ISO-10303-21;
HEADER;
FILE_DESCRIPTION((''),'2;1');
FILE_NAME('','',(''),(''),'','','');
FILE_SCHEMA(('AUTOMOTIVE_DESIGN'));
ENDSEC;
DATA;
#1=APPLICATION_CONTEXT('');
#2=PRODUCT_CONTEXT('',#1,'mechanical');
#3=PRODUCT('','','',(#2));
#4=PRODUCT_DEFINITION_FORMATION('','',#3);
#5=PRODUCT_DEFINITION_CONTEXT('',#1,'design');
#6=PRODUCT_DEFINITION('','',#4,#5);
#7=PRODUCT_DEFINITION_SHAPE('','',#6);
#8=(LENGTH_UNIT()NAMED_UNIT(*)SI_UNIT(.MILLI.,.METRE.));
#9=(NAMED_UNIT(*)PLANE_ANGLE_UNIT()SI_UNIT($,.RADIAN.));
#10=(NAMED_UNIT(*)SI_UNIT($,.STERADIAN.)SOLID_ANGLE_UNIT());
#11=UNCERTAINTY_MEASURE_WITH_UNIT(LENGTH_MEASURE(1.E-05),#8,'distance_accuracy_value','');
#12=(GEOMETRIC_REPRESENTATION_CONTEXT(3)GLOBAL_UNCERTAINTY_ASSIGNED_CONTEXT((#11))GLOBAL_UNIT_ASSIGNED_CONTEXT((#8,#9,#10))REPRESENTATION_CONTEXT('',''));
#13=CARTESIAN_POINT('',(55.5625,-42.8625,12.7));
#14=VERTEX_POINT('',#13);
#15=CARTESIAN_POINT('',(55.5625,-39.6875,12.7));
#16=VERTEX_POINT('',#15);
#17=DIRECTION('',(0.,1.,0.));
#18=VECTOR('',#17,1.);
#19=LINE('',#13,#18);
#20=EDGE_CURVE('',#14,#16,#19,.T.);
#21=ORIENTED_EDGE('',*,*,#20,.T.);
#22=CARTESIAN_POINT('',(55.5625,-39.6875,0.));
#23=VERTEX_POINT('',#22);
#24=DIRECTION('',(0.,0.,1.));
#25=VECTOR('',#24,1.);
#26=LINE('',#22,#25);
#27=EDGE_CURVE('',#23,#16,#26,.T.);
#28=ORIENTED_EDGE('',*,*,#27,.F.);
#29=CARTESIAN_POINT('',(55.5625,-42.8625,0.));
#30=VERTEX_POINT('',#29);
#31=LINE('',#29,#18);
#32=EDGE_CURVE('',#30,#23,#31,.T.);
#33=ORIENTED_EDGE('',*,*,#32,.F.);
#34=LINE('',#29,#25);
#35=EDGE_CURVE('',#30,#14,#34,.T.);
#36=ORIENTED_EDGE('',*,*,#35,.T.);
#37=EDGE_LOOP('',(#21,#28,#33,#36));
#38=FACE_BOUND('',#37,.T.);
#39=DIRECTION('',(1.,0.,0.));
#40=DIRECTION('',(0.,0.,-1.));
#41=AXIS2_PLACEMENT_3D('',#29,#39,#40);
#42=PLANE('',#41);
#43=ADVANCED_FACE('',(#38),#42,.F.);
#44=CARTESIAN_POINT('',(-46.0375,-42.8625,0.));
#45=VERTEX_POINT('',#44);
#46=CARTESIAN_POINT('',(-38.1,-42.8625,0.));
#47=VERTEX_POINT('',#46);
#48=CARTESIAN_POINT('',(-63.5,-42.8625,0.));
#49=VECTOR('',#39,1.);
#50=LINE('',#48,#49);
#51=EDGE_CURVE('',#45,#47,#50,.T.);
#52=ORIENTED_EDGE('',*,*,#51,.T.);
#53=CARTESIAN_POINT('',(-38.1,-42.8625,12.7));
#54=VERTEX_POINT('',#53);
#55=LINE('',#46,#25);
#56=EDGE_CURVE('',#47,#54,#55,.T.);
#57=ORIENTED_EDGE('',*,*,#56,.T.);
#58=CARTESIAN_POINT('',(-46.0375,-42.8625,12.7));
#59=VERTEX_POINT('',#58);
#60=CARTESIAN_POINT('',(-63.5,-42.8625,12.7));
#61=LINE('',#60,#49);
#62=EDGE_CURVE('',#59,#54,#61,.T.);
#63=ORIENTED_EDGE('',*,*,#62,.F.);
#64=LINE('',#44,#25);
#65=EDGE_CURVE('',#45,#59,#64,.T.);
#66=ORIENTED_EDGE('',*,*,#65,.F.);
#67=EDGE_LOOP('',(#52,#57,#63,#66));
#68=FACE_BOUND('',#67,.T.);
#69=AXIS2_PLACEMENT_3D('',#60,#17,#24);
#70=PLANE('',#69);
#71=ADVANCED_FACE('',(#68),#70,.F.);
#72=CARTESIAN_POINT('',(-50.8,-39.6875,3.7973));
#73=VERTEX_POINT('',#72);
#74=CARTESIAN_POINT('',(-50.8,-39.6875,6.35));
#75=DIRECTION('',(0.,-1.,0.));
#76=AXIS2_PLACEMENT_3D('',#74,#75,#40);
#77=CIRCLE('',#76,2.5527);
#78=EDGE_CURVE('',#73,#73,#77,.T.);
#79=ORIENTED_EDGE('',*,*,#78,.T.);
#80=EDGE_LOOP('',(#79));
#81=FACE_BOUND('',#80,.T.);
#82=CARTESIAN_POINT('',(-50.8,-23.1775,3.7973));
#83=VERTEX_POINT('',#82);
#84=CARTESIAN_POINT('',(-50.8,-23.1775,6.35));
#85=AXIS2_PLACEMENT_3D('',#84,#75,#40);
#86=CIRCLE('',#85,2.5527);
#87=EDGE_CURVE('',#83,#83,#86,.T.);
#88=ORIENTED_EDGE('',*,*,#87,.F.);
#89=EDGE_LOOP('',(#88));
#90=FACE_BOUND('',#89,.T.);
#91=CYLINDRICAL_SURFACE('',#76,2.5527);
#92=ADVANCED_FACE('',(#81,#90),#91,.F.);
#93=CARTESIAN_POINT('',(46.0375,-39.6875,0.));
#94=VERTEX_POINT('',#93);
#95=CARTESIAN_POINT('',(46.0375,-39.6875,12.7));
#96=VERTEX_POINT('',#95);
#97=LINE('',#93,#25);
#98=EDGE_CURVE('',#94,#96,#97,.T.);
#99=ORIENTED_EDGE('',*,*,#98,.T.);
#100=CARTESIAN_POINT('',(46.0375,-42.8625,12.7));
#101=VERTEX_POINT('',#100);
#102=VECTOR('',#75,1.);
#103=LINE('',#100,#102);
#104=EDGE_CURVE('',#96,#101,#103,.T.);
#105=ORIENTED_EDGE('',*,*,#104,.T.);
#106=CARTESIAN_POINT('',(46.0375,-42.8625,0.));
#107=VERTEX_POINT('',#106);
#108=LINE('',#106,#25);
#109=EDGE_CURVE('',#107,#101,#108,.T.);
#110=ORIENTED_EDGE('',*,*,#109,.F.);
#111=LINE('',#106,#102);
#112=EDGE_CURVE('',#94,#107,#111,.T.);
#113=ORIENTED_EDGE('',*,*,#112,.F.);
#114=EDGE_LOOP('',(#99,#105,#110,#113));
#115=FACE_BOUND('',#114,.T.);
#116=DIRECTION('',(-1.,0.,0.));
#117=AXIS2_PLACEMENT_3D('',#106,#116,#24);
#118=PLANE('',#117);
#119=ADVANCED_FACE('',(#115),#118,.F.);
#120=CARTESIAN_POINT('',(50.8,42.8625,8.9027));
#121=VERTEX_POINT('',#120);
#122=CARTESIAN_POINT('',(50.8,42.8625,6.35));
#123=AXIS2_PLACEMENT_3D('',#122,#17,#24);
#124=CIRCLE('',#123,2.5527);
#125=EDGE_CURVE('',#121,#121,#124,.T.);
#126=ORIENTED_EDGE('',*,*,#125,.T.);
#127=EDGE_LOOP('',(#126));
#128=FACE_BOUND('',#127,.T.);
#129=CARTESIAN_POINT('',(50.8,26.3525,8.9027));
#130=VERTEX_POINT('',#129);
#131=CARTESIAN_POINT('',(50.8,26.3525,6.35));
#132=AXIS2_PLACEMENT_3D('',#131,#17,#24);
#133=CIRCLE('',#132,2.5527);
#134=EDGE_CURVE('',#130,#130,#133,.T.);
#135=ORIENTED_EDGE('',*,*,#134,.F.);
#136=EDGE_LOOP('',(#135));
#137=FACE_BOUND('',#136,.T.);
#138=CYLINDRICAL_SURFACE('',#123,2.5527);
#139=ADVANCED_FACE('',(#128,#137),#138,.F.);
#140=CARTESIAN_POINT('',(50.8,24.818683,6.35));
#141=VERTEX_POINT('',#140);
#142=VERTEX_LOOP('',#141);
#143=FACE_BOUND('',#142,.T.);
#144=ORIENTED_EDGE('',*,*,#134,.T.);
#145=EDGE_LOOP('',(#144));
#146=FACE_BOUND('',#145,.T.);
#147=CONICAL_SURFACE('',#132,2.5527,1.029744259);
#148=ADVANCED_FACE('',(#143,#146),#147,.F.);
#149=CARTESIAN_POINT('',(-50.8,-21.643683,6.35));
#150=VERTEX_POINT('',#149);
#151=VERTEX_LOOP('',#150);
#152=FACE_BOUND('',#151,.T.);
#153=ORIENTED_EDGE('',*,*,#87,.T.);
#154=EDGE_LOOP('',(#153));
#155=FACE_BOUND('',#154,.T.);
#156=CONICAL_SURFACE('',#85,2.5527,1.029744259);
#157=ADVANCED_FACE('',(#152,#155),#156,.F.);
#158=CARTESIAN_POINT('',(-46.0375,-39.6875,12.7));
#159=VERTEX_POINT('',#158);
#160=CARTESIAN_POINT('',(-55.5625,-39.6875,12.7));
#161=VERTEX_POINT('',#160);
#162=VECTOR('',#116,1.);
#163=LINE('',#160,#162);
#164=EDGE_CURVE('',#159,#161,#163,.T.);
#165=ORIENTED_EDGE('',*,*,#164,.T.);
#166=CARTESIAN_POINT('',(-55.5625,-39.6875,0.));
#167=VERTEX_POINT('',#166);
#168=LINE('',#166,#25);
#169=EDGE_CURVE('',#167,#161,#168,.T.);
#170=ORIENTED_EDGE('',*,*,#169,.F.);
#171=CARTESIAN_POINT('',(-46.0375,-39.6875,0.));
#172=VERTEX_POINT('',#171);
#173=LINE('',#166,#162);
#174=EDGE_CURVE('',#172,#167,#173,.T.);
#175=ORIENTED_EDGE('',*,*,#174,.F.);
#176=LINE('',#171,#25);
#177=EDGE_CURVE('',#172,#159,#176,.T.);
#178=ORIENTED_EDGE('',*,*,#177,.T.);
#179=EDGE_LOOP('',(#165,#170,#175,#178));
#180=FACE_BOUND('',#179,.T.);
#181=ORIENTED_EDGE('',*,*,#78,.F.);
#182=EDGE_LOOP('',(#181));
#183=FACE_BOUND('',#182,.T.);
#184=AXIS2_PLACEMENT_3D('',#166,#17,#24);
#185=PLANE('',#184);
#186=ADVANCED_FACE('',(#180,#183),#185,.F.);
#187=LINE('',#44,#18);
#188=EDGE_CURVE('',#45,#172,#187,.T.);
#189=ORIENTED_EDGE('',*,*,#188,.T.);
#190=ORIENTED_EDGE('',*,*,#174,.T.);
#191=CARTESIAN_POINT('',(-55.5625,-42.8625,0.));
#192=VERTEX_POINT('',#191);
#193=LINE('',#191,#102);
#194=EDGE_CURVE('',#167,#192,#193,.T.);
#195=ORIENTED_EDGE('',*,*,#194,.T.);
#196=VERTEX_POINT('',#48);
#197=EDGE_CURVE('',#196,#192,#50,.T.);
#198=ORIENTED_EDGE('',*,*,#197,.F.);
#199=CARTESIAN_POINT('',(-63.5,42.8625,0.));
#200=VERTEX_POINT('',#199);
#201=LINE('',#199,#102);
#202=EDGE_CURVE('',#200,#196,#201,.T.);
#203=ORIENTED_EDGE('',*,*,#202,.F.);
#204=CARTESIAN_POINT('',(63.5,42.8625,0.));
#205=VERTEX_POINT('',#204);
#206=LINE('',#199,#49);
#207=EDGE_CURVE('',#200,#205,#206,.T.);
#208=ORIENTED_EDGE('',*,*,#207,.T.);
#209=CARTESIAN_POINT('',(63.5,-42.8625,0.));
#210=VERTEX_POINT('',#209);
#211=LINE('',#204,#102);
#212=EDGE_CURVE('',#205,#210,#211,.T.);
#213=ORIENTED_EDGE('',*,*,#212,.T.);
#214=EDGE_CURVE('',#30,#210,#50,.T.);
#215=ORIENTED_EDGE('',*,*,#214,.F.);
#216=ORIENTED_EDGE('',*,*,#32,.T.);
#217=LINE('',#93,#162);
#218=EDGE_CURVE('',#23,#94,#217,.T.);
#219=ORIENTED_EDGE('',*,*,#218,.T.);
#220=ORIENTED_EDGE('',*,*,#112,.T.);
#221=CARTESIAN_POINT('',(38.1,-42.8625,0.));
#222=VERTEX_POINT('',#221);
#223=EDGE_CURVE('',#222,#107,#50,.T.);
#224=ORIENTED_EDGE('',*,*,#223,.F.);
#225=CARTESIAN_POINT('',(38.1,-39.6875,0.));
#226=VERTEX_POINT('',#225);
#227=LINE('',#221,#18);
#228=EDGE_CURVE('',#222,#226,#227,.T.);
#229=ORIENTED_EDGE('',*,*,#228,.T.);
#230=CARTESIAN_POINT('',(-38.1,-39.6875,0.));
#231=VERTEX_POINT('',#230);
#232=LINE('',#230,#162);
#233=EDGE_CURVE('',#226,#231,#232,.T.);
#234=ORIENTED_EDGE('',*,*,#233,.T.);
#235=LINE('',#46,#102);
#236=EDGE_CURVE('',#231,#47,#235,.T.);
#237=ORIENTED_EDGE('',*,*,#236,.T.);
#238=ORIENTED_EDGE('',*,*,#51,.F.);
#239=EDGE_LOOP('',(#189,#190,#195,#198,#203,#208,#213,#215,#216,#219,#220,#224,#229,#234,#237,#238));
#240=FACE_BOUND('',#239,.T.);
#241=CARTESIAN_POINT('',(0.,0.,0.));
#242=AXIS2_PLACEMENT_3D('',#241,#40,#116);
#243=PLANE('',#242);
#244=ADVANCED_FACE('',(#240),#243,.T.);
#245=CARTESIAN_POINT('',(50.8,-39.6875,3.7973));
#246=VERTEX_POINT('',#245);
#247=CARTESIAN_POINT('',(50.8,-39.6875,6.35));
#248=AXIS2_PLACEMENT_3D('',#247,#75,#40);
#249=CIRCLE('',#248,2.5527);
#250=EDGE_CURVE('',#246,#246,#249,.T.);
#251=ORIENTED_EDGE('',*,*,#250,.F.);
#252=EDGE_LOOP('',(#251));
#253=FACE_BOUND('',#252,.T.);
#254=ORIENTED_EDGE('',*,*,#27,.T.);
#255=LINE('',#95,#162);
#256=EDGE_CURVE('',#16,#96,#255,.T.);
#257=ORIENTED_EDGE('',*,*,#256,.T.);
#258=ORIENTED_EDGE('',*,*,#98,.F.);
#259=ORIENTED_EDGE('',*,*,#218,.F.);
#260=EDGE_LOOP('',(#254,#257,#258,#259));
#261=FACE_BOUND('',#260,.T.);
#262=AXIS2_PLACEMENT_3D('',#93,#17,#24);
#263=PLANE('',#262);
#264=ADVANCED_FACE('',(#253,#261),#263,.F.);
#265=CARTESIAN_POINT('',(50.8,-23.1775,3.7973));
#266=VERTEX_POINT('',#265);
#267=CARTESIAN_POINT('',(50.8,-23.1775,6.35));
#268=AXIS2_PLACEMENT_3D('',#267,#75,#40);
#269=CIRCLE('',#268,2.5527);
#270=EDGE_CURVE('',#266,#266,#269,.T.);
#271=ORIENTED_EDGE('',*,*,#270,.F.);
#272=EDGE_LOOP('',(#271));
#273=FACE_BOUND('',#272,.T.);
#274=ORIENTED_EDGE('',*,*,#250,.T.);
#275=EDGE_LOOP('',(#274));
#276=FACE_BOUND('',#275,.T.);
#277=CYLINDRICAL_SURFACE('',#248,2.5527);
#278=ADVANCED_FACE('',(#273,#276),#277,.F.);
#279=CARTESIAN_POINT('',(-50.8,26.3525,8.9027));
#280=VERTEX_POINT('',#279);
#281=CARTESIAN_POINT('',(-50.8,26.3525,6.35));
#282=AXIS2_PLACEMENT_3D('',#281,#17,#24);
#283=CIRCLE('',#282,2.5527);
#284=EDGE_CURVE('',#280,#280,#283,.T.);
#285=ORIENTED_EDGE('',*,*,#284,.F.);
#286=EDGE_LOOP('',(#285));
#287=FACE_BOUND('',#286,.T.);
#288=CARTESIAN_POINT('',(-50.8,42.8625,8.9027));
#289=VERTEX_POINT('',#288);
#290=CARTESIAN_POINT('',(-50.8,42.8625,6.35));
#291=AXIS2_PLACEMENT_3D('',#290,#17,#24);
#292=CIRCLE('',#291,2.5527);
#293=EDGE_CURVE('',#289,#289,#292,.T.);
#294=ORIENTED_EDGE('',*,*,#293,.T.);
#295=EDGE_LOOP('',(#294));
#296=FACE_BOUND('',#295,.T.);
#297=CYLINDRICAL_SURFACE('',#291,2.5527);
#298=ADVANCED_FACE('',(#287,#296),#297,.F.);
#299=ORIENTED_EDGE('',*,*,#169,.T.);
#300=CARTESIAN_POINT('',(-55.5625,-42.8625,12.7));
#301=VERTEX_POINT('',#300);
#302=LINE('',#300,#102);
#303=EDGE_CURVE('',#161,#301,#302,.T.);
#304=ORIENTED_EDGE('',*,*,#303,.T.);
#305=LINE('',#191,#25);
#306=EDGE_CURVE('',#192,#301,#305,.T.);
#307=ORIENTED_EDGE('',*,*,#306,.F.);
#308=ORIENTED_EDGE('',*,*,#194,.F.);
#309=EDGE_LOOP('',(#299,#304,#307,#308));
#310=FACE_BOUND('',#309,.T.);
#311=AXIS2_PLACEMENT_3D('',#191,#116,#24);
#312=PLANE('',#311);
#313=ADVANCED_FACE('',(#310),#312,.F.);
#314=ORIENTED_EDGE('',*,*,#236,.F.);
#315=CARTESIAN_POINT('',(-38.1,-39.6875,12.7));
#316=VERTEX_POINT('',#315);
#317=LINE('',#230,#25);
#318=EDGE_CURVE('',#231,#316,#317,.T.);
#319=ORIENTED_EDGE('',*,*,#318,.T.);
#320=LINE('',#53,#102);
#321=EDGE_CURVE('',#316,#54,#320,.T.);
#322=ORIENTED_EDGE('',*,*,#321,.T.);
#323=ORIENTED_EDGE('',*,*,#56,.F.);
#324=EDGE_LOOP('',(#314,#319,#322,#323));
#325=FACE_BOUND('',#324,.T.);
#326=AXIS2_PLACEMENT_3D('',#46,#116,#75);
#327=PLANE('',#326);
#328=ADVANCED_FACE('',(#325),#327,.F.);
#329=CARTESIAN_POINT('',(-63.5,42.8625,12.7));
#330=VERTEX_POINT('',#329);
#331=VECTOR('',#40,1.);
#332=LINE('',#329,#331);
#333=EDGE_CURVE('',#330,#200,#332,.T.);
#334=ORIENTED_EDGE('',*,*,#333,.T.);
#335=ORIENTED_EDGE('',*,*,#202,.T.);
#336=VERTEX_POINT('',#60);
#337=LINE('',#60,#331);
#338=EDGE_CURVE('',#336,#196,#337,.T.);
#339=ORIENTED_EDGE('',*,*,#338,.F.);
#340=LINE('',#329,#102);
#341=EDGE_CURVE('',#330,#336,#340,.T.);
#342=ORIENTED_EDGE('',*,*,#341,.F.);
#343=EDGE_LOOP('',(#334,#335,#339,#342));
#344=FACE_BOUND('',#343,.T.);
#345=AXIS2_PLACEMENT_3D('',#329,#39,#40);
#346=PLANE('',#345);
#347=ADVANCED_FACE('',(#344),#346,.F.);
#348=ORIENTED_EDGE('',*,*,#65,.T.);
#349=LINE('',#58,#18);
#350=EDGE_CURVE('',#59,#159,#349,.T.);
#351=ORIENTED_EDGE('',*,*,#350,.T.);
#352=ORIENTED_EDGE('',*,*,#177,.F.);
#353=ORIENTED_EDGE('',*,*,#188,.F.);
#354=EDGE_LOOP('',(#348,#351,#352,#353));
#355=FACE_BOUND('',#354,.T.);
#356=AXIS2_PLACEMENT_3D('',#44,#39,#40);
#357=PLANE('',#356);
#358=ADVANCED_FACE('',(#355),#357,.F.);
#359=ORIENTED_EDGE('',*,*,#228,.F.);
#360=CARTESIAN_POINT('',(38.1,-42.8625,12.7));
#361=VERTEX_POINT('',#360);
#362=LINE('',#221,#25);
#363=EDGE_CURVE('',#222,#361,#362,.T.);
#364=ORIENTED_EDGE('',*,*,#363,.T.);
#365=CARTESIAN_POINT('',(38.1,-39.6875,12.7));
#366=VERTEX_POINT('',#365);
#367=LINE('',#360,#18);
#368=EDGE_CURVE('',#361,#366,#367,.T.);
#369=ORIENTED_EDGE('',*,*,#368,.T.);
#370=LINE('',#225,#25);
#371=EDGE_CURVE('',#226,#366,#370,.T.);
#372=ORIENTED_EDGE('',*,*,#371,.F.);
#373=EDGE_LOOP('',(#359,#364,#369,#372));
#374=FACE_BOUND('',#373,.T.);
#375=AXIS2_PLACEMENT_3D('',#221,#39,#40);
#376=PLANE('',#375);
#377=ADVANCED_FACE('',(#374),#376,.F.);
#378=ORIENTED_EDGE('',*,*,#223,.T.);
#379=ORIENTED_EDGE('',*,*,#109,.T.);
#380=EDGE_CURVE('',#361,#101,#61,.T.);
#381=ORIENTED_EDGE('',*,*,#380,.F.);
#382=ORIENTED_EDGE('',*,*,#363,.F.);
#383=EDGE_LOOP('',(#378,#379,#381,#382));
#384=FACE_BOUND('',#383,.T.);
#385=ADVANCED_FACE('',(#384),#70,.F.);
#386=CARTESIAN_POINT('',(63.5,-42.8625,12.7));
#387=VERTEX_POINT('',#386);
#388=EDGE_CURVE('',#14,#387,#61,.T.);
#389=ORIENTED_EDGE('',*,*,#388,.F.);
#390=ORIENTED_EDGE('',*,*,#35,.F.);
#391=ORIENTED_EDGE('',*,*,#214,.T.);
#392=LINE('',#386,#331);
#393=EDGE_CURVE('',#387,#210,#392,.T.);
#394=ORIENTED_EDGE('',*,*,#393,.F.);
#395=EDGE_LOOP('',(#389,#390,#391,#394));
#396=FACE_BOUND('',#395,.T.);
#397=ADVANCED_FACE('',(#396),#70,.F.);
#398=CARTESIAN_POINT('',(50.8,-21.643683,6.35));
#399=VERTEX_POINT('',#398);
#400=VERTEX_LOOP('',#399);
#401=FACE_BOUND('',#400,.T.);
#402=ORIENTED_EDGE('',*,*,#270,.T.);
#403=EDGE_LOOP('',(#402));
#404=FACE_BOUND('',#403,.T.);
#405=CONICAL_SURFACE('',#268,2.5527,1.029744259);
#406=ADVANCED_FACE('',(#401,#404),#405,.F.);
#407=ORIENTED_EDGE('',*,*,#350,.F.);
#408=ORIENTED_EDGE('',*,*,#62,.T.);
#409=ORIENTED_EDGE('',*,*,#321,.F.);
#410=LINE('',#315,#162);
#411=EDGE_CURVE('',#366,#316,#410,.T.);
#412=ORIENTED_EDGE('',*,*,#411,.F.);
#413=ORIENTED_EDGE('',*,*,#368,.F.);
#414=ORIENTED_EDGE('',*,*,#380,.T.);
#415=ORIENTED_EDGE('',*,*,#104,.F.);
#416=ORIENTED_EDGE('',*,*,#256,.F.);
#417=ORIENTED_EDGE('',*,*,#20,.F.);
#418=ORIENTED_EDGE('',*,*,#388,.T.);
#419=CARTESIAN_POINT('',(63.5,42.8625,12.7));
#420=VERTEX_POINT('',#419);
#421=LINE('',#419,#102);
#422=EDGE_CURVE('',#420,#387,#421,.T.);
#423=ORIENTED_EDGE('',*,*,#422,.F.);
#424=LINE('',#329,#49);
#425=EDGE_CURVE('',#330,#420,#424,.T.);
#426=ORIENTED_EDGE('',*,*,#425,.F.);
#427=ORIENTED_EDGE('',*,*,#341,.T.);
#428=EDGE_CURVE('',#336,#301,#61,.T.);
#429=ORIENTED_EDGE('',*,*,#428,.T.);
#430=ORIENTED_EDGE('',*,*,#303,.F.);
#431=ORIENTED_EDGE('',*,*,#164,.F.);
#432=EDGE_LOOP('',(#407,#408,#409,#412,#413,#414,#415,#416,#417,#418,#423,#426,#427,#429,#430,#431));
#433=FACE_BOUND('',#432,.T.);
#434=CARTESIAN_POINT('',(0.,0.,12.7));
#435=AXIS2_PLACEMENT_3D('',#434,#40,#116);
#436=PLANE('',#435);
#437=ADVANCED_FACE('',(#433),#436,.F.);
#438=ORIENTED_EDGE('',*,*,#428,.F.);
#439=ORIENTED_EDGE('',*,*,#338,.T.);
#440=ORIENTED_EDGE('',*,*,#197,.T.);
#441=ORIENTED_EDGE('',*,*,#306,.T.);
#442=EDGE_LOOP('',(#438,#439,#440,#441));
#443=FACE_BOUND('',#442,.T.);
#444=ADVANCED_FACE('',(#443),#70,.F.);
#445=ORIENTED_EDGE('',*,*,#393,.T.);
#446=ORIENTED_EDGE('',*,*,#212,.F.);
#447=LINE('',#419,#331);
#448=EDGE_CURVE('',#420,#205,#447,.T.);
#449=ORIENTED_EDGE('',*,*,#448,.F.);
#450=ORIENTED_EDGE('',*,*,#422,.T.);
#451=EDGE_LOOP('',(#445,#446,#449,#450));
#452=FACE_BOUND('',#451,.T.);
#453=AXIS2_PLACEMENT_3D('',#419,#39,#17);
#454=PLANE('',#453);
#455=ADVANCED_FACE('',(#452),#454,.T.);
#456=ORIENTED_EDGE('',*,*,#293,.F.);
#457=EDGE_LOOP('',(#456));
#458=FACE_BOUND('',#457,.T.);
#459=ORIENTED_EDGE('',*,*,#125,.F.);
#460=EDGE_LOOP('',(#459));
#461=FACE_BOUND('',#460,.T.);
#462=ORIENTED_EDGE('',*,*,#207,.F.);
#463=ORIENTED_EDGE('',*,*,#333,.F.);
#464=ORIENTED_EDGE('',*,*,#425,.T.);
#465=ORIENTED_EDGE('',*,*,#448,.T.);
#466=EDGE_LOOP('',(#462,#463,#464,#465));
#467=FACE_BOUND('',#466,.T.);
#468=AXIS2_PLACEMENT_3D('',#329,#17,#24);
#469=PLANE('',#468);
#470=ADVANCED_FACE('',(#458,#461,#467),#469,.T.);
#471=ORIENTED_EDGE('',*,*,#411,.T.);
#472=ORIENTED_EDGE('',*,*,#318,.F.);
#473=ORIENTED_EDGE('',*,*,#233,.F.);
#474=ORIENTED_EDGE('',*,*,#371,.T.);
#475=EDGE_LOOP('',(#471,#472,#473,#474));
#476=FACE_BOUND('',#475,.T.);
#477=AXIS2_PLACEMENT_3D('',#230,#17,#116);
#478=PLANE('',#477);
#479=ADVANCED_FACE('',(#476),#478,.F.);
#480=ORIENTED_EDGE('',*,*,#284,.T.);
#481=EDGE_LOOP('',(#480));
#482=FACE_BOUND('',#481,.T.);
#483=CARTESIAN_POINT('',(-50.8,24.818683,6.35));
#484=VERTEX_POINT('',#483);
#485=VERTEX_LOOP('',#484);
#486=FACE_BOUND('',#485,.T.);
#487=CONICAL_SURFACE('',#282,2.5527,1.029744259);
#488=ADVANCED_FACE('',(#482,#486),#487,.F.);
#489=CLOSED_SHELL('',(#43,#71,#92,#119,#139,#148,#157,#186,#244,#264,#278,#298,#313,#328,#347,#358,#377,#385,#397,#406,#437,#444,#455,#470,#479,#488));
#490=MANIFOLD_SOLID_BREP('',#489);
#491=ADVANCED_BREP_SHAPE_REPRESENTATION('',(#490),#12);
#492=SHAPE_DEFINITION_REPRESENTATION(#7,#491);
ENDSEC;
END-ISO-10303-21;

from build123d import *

# Parameters (mm, degrees)
SKETCH1_W                   = 127
SKETCH1_H                   = 85.725
BOSS_EXTRUDE1_DEPTH         = 12.7
SKETCH2_W                   = 76.2
SKETCH2_H                   = 3.175
CUT_EXTRUDE1_DEPTH          = 78.657800035
SKETCH14_W                  = 9.525
SKETCH14_H                  = 3.175
CUT_EXTRUDE2_DEPTH          = 78.657800035
F_1_4_20_TAPPED_HOLE1_D     = 5.1054
F_1_4_20_TAPPED_HOLE1_DEPTH = 16.51
F_1_4_20_TAPPED_HOLE1_TIP   = 1.533816902
F_1_4_20_TAPPED_HOLE2_D     = 5.1054
F_1_4_20_TAPPED_HOLE2_DEPTH = 16.51
F_1_4_20_TAPPED_HOLE2_TIP   = 1.533816902


with BuildPart() as part:
    # Sketch1 → Boss-Extrude1 (new body)
    with BuildSketch(Plane.XY):
        Rectangle(SKETCH1_W, SKETCH1_H)
    extrude(amount=BOSS_EXTRUDE1_DEPTH)

    # Sketch2 → Cut-Extrude1 (cut, through all)
    with BuildSketch(Plane.XY.offset(12.7)):
        with Locations((0, -41.275)):
            Rectangle(SKETCH2_W, SKETCH2_H)
    extrude(amount=-CUT_EXTRUDE1_DEPTH, mode=Mode.SUBTRACT)

    # Sketch14 → Cut-Extrude2 (cut, through all)
    with BuildSketch(Plane.XY.offset(12.7)):
        with Locations((50.8, -41.275)):
            Rectangle(SKETCH14_W, SKETCH14_H)
        with Locations((-50.8, -41.275)):
            Rectangle(SKETCH14_W, SKETCH14_H)
    extrude(amount=-CUT_EXTRUDE2_DEPTH, mode=Mode.SUBTRACT)

    # 1/4-20 Tapped Hole1
    with Locations(Plane(origin=(-50.8, -39.6875, 6.35), x_dir=(-1, 0, 0), z_dir=(0, -1, 0))):
        with Locations((0, 0), (-101.6, 0)):
            Hole(F_1_4_20_TAPPED_HOLE1_D / 2, depth=F_1_4_20_TAPPED_HOLE1_DEPTH)
            with Locations((0, 0, -(F_1_4_20_TAPPED_HOLE1_DEPTH + F_1_4_20_TAPPED_HOLE1_TIP / 2))):  # 118° drill point
                Cone(0, F_1_4_20_TAPPED_HOLE1_D / 2, F_1_4_20_TAPPED_HOLE1_TIP, mode=Mode.SUBTRACT)

    # 1/4-20 Tapped Hole2
    with Locations(Plane(origin=(-50.8, 42.8625, 6.35), x_dir=(0, 0, 1), z_dir=(0, 1, 0))):
        with Locations((0, 0), (0, 101.6)):
            Hole(F_1_4_20_TAPPED_HOLE2_D / 2, depth=F_1_4_20_TAPPED_HOLE2_DEPTH)
            with Locations((0, 0, -(F_1_4_20_TAPPED_HOLE2_DEPTH + F_1_4_20_TAPPED_HOLE2_TIP / 2))):  # 118° drill point
                Cone(0, F_1_4_20_TAPPED_HOLE2_D / 2, F_1_4_20_TAPPED_HOLE2_TIP, mode=Mode.SUBTRACT)


solid = part.part
